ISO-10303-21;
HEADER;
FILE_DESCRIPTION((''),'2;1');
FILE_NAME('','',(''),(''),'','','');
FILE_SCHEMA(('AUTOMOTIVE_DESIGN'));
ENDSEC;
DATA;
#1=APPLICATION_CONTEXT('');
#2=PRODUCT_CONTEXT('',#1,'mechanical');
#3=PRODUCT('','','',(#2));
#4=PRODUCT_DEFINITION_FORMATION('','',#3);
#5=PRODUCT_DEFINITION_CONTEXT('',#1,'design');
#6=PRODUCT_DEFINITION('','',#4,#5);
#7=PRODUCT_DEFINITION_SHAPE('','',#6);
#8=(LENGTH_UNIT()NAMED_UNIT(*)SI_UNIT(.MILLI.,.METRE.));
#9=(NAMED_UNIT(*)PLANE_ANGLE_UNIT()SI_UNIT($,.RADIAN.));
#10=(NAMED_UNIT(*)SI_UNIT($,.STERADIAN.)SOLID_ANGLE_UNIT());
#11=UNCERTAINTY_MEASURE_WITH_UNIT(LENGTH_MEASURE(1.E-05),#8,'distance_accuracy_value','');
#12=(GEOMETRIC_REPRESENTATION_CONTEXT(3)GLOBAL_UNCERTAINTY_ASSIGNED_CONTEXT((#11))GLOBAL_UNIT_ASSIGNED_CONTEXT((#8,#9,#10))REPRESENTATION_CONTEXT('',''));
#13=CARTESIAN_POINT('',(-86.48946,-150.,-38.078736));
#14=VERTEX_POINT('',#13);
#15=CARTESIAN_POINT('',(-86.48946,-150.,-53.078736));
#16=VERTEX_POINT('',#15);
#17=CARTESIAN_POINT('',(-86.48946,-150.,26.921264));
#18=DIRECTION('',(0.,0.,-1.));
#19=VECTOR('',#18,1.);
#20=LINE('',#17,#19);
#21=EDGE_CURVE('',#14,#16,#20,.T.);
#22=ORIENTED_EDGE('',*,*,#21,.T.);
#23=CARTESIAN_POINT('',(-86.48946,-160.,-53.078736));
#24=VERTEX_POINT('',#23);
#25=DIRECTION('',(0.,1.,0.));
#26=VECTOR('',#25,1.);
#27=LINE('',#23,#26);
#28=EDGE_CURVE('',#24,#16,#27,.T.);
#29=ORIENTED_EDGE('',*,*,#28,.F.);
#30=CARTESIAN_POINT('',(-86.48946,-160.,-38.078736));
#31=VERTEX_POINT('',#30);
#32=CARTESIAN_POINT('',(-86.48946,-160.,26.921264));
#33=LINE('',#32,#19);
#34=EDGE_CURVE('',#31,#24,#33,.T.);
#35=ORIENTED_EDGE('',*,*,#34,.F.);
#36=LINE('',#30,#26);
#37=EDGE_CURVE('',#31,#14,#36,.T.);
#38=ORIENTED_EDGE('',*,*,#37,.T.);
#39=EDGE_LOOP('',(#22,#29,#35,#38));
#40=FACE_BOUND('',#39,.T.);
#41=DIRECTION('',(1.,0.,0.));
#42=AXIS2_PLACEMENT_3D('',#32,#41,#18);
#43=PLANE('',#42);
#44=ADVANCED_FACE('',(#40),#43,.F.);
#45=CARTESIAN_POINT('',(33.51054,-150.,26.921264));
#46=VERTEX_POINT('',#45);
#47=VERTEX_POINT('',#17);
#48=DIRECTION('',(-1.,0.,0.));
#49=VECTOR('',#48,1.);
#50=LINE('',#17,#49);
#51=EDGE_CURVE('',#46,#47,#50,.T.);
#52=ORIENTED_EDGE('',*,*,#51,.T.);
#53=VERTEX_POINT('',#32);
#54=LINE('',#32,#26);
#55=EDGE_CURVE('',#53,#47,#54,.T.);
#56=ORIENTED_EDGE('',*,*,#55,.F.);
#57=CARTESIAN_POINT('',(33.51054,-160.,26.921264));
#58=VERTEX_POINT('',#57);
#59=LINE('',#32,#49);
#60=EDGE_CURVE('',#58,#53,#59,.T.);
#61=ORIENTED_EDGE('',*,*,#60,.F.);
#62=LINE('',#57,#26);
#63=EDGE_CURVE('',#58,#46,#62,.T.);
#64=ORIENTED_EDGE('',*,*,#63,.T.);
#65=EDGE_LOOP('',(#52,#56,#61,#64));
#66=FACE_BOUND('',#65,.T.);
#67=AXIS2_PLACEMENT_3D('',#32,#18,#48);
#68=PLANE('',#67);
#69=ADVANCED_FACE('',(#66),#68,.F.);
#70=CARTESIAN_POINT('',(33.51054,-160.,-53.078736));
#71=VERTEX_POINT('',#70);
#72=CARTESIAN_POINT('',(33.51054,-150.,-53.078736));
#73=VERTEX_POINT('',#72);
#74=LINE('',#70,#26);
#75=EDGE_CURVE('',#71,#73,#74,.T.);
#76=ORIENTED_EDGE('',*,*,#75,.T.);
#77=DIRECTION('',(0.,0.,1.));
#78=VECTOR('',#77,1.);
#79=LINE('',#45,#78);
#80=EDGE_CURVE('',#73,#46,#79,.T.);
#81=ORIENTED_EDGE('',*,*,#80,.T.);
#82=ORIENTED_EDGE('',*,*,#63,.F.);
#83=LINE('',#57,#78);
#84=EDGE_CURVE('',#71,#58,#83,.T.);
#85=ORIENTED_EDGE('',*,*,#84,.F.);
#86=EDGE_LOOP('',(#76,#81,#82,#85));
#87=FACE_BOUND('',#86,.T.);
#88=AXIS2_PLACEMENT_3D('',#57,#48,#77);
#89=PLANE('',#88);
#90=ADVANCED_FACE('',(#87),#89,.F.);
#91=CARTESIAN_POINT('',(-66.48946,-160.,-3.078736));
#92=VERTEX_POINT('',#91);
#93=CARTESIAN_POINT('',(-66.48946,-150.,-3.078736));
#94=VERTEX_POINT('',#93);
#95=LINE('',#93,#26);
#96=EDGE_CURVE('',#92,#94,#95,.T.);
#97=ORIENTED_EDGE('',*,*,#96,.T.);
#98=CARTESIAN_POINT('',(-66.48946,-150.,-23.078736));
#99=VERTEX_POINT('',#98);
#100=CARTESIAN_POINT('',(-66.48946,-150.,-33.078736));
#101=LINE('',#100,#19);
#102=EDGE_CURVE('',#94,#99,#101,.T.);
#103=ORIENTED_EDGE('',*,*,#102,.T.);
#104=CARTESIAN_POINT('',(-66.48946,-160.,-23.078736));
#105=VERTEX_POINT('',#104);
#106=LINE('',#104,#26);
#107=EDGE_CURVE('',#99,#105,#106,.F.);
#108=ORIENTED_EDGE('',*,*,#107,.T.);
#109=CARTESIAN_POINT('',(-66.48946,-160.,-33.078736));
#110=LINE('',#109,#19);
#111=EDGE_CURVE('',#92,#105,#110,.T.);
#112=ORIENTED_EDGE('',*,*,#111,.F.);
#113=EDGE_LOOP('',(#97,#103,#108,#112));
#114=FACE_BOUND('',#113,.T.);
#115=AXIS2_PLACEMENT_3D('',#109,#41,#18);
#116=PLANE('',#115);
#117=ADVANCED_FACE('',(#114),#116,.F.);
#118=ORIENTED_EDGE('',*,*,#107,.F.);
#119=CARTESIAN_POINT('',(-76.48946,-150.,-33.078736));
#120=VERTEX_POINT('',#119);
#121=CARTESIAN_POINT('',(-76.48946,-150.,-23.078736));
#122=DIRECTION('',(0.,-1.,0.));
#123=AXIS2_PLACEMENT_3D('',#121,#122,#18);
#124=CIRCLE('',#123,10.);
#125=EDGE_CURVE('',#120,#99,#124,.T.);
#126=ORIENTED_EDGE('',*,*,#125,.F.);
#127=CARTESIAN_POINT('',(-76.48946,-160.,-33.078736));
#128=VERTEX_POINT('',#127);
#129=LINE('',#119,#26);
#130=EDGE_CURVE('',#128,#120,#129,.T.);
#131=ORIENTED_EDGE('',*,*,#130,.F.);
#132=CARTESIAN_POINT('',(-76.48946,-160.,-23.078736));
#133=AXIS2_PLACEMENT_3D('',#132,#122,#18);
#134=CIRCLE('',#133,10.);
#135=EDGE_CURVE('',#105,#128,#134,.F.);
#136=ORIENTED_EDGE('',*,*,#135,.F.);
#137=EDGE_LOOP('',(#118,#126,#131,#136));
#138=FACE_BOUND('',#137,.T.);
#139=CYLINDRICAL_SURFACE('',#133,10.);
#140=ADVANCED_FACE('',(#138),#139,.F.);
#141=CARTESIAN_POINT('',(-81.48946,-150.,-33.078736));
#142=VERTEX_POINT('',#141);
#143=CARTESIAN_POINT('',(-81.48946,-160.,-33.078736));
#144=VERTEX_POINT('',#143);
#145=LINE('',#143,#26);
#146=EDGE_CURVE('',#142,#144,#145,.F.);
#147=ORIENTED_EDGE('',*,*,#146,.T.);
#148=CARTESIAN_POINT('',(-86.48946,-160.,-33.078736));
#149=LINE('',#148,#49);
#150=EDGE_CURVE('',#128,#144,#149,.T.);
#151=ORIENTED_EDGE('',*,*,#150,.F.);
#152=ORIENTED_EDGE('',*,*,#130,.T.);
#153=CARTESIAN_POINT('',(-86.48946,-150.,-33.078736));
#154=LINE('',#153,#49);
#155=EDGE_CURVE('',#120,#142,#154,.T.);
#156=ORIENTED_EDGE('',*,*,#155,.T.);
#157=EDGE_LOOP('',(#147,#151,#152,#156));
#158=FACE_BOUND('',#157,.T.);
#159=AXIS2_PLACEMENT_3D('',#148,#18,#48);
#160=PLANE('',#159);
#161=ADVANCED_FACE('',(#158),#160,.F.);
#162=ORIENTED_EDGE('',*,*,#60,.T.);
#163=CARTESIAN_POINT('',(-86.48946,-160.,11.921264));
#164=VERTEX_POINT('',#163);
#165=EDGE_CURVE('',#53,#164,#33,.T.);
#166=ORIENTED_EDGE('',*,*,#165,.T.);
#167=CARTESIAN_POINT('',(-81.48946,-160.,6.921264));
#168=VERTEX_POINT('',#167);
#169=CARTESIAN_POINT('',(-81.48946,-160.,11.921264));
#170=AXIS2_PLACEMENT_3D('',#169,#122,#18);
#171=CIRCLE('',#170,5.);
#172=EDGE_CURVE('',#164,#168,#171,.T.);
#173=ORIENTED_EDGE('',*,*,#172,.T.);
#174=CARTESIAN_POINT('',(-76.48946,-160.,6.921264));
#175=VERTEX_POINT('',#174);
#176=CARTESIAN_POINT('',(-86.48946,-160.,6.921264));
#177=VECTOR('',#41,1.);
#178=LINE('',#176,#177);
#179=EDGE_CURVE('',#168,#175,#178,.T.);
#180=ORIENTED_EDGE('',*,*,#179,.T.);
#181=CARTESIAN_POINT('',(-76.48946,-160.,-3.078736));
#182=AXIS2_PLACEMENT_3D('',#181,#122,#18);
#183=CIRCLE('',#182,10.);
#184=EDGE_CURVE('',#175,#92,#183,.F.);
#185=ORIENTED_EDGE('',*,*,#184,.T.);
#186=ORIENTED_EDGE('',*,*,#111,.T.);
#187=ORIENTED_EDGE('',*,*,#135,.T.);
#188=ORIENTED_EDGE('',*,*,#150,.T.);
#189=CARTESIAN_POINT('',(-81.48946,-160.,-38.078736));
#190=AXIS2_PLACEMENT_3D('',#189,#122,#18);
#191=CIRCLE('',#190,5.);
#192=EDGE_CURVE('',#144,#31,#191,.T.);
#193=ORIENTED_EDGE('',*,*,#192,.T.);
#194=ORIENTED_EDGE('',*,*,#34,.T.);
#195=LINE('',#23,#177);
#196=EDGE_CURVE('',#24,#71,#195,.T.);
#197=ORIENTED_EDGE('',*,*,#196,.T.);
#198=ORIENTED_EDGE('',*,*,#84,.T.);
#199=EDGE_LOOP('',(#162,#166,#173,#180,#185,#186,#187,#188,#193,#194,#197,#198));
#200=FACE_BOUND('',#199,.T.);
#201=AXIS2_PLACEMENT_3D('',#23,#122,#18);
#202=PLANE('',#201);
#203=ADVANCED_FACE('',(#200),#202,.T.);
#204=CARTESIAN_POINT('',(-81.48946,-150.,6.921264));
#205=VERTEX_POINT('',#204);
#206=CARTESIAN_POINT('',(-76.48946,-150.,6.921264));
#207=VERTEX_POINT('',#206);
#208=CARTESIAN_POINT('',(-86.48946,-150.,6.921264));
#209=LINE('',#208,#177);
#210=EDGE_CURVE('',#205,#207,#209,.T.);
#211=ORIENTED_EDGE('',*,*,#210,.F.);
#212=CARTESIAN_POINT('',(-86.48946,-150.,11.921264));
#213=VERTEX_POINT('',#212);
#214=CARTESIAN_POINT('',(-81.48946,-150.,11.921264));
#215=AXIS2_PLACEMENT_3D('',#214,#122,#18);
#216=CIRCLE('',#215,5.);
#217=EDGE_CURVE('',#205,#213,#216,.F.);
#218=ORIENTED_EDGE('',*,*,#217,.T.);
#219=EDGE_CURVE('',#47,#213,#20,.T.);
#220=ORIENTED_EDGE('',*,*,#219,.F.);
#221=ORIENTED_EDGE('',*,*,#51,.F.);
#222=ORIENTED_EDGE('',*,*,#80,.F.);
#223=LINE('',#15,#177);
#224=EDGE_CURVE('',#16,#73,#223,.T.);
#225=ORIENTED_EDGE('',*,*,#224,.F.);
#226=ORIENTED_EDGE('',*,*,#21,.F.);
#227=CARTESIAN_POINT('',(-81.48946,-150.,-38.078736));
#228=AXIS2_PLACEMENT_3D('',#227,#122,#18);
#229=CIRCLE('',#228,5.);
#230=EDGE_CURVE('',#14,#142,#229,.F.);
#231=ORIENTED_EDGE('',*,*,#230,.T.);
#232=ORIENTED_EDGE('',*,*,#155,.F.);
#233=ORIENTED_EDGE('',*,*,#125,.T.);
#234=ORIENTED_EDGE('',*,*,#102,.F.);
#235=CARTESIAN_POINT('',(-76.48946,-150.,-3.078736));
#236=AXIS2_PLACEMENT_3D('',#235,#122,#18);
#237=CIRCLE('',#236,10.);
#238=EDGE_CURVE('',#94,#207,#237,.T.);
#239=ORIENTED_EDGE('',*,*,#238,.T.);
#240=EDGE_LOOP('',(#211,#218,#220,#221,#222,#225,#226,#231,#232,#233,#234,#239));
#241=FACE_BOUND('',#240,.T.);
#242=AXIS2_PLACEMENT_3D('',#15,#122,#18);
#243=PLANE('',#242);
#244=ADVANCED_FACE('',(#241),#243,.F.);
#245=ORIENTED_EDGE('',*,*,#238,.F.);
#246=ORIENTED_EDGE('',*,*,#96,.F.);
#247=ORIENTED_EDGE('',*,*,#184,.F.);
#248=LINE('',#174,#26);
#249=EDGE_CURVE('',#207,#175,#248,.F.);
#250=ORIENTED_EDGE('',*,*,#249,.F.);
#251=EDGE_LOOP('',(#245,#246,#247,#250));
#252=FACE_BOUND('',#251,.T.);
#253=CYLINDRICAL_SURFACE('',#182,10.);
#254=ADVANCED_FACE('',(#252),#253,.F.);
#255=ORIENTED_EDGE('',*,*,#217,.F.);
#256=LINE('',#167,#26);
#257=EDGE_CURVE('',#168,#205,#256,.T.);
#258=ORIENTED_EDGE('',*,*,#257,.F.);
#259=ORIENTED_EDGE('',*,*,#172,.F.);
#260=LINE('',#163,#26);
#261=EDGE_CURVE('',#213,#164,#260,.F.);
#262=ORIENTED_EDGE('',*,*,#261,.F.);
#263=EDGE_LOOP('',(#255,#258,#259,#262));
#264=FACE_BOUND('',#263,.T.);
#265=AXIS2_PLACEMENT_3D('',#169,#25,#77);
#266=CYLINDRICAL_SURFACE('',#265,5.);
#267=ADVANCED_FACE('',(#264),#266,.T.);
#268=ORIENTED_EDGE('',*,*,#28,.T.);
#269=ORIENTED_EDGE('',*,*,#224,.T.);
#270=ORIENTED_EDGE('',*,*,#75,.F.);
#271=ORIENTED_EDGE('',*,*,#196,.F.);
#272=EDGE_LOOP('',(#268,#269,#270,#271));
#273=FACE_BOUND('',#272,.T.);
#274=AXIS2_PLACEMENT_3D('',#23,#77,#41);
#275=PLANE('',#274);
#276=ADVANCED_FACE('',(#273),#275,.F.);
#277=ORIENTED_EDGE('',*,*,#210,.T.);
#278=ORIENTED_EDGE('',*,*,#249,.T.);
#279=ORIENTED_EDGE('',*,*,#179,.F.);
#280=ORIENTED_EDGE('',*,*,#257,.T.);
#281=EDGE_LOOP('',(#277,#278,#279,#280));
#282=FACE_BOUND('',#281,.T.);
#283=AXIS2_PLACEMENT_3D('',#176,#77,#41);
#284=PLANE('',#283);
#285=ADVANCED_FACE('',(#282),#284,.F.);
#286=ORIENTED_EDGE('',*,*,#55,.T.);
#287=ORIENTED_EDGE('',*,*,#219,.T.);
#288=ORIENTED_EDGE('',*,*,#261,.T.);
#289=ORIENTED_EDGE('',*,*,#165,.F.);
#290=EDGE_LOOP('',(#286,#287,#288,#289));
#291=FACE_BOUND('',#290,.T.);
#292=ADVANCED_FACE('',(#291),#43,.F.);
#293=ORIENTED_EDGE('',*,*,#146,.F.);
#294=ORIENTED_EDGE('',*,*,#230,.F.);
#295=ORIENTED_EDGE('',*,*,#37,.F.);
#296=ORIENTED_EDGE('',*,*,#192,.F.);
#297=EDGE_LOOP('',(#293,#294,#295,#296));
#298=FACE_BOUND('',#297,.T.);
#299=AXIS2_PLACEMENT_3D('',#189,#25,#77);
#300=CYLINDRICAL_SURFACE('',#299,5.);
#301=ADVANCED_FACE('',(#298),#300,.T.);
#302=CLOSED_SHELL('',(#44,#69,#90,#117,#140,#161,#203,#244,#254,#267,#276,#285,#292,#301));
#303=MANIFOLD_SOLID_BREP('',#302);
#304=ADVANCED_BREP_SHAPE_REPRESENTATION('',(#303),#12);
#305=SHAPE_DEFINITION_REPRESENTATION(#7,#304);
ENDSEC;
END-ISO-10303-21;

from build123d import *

# Parameters (mm, degrees)
SKETCH1_W           = 120
SKETCH1_H           = 80
BOSS_EXTRUDE1_DEPTH = 10
SKETCH2_W           = 20
SKETCH2_H           = 40
CUT_EXTRUDE1_DEPTH  = 11
FILLET1_R           = 10
FILLET2_R           = 5


with BuildPart() as part:
    # Sketch1 → Boss-Extrude1 (new body)
    with BuildSketch(Plane.XZ.offset(150)):
        with Locations((-26.489460092, -13.07873573)):
            Rectangle(SKETCH1_W, SKETCH1_H)
    extrude(amount=BOSS_EXTRUDE1_DEPTH)

    # Sketch2 → Cut-Extrude1 (cut, through all)
    with BuildSketch(Plane(origin=(0, -150, 0), x_dir=(1, 0, 0), z_dir=(0, 1, 0))):
        with Locations((-76.489460092, 13.07873573)):
            Rectangle(SKETCH2_W, SKETCH2_H)
    extrude(amount=-CUT_EXTRUDE1_DEPTH, mode=Mode.SUBTRACT)

    # Fillet1
    fillet1_edges = [part.edges().sort_by_distance(p)[0] for p in [
        (-66.489460092, -155, -33.07873573),
        (-66.489460092, -155, 6.92126427),
    ]]
    fillet(fillet1_edges, radius=FILLET1_R)

    # Fillet2
    fillet2_edges = [part.edges().sort_by_distance(p)[0] for p in [
        (-86.489460092, -155, 6.92126427),
        (-86.489460092, -155, -33.07873573),
    ]]
    fillet(fillet2_edges, radius=FILLET2_R)


solid = part.part
